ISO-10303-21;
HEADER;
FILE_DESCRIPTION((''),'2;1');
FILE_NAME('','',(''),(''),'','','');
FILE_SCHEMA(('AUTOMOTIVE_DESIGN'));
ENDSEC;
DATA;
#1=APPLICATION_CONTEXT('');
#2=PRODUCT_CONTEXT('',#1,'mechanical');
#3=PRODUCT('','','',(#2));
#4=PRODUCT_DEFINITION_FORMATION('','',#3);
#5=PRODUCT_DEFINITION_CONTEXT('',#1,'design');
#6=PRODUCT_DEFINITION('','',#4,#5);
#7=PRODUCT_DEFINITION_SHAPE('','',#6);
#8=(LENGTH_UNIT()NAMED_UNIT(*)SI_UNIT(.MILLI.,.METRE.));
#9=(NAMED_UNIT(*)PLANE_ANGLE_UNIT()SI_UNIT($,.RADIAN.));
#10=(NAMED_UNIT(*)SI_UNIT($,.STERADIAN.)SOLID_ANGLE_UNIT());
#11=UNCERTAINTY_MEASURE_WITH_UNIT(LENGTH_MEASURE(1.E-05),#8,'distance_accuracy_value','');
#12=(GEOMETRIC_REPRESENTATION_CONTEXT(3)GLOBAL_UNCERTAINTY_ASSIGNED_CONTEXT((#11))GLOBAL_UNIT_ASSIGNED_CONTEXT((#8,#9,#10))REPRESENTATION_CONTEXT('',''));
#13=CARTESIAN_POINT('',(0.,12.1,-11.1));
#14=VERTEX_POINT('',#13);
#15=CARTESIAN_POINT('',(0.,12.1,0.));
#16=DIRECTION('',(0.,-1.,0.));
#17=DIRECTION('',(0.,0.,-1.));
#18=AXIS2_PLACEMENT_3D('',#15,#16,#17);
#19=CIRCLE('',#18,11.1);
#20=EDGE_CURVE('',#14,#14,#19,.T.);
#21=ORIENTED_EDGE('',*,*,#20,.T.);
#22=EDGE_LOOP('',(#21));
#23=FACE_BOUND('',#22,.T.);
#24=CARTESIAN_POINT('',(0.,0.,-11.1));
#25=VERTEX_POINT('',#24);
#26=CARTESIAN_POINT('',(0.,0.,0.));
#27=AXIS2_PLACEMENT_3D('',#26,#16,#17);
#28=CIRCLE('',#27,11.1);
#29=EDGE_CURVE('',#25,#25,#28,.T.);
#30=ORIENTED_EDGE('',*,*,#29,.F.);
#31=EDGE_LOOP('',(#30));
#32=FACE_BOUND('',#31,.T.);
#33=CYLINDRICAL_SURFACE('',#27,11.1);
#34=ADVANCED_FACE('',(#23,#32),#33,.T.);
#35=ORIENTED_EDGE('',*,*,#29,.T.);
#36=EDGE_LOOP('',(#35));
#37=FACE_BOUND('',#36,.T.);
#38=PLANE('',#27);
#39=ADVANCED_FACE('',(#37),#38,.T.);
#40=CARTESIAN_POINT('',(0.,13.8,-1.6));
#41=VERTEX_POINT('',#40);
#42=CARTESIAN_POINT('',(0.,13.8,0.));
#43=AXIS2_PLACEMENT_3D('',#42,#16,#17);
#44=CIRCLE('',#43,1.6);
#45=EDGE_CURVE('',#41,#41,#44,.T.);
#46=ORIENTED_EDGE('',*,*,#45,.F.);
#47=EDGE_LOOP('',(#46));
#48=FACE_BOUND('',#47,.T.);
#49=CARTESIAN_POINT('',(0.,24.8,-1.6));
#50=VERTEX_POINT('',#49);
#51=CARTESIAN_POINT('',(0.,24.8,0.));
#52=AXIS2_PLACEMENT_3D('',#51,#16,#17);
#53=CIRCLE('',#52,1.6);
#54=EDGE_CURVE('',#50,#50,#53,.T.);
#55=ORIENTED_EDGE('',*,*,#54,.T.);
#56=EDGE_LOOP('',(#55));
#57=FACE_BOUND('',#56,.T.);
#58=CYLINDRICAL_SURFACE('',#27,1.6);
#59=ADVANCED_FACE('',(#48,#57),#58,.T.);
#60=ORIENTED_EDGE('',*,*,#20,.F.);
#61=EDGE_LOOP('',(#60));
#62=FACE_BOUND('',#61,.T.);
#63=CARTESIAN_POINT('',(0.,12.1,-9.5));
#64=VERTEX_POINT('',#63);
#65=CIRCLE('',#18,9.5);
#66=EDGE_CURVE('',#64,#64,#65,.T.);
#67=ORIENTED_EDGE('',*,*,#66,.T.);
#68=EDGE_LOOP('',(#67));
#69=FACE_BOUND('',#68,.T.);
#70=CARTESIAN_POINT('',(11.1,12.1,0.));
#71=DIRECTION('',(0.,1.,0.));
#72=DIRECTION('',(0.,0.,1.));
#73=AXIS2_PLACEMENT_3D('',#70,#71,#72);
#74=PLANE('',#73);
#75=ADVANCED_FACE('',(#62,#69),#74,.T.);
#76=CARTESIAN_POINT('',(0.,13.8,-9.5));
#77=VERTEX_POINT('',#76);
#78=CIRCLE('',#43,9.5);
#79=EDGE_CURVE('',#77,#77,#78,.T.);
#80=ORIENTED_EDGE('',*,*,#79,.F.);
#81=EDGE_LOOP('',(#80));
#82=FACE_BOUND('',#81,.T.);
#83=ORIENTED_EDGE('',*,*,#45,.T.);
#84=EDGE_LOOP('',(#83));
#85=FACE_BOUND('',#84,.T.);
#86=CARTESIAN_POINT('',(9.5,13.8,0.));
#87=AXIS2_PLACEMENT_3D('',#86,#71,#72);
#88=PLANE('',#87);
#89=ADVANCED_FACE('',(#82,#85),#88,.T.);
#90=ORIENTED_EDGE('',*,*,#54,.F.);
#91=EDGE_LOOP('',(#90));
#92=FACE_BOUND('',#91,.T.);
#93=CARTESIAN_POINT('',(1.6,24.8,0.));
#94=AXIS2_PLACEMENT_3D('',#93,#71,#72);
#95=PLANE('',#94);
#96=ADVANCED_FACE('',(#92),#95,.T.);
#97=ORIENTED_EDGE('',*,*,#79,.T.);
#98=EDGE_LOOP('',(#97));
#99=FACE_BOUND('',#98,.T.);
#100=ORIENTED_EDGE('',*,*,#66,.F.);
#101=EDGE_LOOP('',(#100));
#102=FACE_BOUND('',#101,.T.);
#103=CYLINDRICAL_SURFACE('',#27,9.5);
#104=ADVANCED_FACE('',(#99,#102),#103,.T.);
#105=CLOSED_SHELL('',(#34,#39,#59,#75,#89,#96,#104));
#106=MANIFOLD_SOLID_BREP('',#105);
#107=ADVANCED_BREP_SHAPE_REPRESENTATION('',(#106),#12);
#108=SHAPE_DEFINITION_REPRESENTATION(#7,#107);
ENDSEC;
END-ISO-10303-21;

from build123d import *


with BuildPart() as part:
    # Sketch1 → Revolve1 (revolve)
    with BuildSketch(Plane.XY, mode=Mode.PRIVATE) as revolve1_sk:
        Polygon((0, 0), (11.1, 0), (11.1, 12.1), (9.5, 12.1), (9.5, 13.8), (1.6, 13.8), (1.6, 24.8), (0, 24.8), align=None)
    revolve(revolve1_sk.sketch.rotate(Axis((0, 0, 0), (0, 1, 0)), 90), axis=Axis((0, 0, 0), (0, 1, 0)))


solid = part.part
